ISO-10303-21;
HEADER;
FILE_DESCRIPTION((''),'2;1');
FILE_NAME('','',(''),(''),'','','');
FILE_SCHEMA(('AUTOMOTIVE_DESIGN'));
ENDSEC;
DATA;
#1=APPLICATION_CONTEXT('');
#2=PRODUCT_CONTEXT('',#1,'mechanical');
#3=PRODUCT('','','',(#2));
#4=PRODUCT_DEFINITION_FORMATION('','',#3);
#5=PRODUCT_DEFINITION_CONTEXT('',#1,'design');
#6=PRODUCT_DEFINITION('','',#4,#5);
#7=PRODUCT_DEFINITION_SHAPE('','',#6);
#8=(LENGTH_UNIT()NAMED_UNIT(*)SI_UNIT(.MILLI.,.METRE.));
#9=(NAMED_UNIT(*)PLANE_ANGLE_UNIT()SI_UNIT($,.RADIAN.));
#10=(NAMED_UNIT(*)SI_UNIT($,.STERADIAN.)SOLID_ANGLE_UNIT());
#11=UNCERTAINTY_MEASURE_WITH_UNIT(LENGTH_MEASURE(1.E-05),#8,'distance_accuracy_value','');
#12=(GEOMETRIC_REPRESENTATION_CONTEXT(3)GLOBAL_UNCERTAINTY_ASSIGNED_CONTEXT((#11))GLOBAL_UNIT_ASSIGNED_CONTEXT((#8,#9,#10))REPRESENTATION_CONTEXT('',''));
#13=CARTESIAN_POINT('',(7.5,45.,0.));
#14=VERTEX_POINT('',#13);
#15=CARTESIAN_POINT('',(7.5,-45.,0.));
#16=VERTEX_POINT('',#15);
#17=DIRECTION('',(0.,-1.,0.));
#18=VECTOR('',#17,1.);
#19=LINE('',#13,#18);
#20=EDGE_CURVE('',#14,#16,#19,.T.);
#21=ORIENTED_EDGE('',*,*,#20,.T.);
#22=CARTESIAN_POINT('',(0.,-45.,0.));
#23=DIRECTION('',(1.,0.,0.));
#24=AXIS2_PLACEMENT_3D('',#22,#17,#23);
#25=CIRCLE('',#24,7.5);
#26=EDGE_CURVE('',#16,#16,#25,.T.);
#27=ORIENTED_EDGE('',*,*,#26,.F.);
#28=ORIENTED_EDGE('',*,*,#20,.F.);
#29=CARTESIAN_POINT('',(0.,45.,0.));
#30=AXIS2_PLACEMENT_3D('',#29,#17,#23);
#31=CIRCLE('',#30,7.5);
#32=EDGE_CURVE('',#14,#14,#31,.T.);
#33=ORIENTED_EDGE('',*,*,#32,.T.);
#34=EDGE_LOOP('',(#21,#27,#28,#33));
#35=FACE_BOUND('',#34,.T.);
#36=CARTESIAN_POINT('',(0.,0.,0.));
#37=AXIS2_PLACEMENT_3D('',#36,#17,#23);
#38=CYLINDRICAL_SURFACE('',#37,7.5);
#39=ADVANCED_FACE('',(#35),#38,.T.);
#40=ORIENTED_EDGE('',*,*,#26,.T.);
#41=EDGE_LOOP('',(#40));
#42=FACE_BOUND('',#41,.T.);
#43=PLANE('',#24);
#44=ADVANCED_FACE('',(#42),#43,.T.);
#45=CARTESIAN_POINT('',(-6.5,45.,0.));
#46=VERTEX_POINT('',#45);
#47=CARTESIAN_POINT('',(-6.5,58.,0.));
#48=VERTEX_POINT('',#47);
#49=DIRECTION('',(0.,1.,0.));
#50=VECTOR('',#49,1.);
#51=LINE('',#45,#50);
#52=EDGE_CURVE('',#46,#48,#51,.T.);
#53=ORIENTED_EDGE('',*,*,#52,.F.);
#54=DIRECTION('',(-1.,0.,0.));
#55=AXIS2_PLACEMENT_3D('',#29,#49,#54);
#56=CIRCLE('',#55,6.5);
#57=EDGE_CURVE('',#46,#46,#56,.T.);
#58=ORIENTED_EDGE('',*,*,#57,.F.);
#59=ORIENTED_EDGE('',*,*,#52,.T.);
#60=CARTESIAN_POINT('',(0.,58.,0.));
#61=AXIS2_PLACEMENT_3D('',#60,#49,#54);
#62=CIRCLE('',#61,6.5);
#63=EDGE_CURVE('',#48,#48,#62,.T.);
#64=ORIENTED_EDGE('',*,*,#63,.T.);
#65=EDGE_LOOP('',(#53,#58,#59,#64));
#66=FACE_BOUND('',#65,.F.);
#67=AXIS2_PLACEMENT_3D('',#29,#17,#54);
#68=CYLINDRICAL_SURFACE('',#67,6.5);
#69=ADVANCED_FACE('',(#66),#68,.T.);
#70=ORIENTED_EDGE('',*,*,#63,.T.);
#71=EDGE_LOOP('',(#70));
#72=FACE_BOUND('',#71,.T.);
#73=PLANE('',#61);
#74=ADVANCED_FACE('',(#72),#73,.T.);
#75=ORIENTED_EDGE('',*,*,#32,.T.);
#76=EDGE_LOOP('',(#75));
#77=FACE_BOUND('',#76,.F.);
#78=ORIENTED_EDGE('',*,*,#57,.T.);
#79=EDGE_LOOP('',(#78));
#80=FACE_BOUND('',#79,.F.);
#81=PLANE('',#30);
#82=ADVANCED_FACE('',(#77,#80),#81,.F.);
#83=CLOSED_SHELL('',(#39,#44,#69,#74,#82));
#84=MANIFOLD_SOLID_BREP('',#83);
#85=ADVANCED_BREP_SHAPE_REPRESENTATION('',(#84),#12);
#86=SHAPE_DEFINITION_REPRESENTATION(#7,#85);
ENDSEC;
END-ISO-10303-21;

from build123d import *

# Parameters (mm, degrees)
F0_R     = 7.5
F1_DEPTH = 45
F2_R     = 6.5
F3_DEPTH = 13


with BuildPart() as f1:
    # F0 (on Front) → F1 (new body, symmetric)
    with BuildSketch(Plane.XZ):
        Circle(F0_R)
    extrude(amount=F1_DEPTH, both=True)

    # F2 (on face) → F3 (join)
    with BuildSketch(Plane(origin=(0, 45, 0), x_dir=(-1, 0, 0), z_dir=(0, 1, 0))):
        Circle(F2_R)
    extrude(amount=F3_DEPTH)


solid = f1.part
